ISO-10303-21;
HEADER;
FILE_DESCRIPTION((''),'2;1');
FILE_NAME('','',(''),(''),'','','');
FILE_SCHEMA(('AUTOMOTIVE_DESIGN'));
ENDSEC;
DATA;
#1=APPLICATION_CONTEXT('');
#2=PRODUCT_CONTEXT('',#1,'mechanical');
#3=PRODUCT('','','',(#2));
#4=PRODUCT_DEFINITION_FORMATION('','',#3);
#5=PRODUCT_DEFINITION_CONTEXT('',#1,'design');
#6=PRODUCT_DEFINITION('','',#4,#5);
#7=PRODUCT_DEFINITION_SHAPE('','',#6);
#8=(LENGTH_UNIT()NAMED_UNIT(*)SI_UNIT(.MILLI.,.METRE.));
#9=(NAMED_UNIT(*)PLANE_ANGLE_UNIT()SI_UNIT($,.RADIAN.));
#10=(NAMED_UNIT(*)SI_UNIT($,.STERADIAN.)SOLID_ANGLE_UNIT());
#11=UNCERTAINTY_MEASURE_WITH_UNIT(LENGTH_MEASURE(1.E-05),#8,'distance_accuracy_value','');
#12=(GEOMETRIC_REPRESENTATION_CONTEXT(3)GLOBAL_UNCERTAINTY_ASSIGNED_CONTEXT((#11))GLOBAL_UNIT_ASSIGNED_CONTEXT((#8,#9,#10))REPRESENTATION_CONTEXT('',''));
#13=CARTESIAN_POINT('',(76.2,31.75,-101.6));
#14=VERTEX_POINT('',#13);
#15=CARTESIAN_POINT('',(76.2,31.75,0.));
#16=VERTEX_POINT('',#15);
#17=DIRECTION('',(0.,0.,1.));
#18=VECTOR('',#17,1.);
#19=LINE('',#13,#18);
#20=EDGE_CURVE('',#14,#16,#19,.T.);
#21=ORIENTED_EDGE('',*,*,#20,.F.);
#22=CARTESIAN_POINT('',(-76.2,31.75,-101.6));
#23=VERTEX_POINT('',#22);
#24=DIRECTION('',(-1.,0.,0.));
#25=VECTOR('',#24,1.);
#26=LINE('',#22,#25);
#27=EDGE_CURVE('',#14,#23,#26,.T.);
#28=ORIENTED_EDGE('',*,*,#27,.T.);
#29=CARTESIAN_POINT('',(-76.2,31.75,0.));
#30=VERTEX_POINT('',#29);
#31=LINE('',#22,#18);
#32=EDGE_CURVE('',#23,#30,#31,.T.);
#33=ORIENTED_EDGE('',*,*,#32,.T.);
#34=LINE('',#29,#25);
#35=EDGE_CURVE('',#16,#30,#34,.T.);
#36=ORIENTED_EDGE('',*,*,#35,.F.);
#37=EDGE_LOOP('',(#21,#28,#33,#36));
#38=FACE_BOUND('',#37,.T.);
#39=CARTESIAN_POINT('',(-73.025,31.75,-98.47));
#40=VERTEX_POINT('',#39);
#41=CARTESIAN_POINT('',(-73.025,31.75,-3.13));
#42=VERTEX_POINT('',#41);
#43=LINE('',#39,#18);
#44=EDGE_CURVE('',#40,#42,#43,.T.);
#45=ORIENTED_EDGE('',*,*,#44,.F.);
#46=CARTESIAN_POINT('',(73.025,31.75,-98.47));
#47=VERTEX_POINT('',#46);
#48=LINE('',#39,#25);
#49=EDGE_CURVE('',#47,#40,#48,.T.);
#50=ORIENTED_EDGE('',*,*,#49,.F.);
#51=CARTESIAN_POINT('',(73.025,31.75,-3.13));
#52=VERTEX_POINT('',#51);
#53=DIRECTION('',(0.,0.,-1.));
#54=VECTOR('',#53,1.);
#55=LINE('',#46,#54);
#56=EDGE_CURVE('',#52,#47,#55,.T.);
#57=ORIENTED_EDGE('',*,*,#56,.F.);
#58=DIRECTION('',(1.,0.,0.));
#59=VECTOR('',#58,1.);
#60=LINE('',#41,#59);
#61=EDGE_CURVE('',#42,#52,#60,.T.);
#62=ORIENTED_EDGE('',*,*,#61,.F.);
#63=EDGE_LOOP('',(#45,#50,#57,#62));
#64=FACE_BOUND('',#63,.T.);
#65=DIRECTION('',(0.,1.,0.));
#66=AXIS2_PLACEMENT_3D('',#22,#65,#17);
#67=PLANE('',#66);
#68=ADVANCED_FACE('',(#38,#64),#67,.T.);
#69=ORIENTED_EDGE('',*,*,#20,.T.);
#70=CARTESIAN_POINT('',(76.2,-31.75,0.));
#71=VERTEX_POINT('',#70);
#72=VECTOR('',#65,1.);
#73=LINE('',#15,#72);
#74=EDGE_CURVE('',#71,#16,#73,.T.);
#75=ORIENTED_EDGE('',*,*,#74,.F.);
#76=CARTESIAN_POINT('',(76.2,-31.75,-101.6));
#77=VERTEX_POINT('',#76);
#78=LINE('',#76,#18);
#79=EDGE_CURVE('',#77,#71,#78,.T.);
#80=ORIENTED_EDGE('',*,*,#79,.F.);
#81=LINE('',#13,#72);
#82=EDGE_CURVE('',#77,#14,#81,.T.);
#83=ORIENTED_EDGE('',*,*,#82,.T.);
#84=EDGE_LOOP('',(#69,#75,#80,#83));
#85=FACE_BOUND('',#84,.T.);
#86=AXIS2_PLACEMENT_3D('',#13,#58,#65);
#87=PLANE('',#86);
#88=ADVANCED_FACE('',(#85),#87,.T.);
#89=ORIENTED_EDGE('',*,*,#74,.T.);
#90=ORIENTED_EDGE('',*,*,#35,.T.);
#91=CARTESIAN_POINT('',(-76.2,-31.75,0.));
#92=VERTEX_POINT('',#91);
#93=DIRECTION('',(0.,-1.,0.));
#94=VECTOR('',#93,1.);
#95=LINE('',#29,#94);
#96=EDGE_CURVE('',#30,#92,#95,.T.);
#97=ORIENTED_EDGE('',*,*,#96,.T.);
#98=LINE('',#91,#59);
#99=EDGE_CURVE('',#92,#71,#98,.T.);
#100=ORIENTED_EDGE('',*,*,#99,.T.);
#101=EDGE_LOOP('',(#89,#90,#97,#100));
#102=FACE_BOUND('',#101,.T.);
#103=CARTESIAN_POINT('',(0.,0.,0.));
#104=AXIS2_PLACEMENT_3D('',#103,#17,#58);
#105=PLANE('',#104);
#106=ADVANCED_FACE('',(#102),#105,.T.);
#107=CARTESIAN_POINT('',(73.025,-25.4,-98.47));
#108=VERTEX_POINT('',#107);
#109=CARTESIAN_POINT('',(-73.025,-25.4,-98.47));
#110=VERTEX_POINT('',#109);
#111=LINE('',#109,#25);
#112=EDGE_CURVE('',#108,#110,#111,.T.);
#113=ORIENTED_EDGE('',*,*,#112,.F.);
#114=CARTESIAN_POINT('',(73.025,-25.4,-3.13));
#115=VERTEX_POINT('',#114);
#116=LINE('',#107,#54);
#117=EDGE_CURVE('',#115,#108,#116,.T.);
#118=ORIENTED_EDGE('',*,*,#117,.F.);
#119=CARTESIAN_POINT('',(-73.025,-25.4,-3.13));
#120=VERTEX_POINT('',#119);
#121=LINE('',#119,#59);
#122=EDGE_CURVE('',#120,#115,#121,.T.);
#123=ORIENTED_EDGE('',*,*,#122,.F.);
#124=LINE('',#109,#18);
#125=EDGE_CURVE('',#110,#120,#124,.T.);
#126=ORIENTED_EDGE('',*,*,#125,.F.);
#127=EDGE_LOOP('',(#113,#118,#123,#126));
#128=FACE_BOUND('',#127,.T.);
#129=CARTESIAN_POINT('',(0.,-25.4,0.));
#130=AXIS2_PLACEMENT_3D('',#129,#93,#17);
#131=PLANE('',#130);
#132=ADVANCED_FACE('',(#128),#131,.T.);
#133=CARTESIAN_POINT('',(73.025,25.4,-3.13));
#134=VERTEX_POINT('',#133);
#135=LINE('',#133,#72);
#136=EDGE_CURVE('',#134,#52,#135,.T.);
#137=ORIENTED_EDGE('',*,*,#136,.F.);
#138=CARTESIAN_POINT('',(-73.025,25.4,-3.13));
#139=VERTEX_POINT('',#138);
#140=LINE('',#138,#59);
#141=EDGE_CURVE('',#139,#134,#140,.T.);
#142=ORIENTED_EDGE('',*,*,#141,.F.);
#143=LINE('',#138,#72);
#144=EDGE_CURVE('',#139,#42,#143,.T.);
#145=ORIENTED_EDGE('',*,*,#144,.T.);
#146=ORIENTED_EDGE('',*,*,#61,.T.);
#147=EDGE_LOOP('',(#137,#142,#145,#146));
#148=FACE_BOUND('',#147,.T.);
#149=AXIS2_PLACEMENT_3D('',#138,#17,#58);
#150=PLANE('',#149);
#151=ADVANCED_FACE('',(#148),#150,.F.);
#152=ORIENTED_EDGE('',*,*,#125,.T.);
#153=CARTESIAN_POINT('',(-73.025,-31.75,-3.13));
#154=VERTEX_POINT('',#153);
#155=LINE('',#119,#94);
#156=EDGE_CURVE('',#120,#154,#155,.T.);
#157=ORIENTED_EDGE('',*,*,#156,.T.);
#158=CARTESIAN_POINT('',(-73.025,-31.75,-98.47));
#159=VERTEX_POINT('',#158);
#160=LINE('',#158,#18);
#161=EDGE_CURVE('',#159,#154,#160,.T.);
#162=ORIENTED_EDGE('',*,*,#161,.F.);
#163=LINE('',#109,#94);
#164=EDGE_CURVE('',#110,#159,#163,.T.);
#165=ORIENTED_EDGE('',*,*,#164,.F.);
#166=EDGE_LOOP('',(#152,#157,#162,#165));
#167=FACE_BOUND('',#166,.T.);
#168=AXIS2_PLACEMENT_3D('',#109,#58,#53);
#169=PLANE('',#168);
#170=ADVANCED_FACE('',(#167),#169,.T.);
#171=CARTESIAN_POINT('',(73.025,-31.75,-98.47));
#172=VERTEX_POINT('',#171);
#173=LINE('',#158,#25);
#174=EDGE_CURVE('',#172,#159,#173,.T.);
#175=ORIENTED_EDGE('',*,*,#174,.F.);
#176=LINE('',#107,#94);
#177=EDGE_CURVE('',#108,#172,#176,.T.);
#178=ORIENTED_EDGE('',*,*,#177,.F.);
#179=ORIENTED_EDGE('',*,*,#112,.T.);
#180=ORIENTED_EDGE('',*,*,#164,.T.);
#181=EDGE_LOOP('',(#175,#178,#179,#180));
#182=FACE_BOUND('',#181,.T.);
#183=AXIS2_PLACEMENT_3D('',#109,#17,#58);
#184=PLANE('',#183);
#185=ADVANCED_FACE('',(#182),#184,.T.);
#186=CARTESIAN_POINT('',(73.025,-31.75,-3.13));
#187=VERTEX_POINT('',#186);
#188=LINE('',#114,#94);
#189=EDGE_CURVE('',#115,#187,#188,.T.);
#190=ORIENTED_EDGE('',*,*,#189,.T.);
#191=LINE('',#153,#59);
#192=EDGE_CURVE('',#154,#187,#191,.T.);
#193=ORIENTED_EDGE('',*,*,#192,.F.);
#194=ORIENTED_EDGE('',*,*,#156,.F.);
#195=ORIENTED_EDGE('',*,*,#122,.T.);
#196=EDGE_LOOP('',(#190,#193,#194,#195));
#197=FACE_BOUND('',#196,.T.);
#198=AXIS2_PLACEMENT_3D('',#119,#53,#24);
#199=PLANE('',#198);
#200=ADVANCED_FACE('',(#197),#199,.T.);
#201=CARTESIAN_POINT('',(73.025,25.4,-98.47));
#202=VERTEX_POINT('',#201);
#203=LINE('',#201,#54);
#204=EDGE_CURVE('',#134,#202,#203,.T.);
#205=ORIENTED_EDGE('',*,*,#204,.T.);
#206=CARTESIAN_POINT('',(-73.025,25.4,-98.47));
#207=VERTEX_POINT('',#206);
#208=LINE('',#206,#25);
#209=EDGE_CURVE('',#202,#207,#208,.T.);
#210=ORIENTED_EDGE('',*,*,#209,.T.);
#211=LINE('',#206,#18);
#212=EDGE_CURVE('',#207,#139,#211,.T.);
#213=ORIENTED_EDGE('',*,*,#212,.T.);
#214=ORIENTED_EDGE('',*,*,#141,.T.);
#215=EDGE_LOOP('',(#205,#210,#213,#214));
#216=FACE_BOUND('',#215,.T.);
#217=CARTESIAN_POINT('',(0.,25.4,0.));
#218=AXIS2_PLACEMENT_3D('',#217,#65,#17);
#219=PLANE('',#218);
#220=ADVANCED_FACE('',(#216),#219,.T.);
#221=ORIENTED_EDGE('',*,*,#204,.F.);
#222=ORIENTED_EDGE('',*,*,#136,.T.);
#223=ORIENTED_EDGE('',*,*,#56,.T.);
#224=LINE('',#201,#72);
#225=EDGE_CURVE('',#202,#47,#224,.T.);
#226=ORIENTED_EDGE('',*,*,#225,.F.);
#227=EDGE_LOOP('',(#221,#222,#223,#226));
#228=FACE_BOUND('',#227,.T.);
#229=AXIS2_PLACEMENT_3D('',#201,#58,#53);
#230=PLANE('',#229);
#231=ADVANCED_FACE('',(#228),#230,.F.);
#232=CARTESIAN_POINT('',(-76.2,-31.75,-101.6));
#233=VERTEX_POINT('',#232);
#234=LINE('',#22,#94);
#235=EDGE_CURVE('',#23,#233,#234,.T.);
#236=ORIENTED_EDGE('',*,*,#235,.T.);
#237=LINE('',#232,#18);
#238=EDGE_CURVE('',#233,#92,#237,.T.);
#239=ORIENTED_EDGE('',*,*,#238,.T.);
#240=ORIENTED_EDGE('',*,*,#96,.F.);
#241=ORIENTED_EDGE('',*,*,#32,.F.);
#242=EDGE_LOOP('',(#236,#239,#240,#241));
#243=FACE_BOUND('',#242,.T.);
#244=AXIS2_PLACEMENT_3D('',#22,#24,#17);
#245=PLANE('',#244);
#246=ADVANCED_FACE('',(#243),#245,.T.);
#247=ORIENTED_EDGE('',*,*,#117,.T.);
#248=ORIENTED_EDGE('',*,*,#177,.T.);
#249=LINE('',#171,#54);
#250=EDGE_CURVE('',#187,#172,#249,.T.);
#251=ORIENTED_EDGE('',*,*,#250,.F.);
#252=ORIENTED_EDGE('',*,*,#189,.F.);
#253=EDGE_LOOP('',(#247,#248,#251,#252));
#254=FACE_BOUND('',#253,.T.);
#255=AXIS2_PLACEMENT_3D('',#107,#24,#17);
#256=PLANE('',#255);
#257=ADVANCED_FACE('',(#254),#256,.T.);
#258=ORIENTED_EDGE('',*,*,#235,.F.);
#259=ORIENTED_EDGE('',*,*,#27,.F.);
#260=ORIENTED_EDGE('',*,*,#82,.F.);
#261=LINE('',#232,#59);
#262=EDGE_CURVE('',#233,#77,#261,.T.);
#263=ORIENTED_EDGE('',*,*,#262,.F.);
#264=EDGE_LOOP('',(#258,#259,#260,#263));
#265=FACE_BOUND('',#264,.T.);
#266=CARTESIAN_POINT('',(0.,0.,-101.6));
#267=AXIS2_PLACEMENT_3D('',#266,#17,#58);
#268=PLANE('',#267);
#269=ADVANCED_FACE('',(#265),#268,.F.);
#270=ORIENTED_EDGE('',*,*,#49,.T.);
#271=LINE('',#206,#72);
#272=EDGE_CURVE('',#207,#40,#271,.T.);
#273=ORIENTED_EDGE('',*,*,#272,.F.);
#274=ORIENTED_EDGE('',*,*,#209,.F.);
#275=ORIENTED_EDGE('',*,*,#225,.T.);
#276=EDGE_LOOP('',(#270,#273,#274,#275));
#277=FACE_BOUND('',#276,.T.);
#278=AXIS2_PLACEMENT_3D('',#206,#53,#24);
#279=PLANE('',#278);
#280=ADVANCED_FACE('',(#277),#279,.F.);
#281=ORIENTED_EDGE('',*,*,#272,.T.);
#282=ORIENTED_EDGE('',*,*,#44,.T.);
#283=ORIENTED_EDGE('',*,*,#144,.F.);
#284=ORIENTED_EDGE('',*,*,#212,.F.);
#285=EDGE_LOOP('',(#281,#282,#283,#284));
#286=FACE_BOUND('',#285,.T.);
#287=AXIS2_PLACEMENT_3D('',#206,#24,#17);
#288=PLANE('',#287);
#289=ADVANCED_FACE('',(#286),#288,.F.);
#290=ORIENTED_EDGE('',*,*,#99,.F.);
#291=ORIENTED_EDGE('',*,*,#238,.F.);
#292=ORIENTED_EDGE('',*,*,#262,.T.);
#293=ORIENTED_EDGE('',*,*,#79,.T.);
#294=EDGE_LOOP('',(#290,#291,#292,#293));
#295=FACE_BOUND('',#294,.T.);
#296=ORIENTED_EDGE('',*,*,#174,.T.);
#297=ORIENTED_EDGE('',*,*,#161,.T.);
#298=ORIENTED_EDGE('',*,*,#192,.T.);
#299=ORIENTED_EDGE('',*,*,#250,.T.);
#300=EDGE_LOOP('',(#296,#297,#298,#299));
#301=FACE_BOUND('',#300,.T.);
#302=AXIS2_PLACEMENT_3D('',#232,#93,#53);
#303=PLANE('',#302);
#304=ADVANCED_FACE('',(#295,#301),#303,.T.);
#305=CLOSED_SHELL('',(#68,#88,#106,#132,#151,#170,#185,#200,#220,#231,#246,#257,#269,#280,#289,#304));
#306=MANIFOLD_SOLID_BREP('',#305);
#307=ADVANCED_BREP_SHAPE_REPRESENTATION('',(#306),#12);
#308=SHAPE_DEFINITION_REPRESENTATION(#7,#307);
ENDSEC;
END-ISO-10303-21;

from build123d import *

# Parameters (mm, degrees)
SKETCH1_W           = 152.4
SKETCH1_H           = 63.5
BOSS_EXTRUDE1_DEPTH = 101.6
SKETCH3_W           = 146.05
SKETCH3_H           = 95.34
CUT_EXTRUDE1_DEPTH  = 6.35


with BuildPart() as part:
    # Sketch1 → Boss-Extrude1 (new body)
    with BuildSketch(Plane.XY):
        Rectangle(SKETCH1_W, SKETCH1_H)
    extrude(amount=-BOSS_EXTRUDE1_DEPTH)

    # Sketch3 → Cut-Extrude1 (cut)
    with BuildSketch(Plane(origin=(0, 31.75, 0), x_dir=(1, 0, 0), z_dir=(0, 1, 0))):
        with Locations((0, 50.8)):
            Rectangle(SKETCH3_W, SKETCH3_H)
    cut_extrude1 = extrude(amount=-CUT_EXTRUDE1_DEPTH, mode=Mode.SUBTRACT)

    # Mirror1: Cut-Extrude1 across plane
    add(cut_extrude1.mirror(Plane.ZX), mode=Mode.SUBTRACT)


solid = part.part
